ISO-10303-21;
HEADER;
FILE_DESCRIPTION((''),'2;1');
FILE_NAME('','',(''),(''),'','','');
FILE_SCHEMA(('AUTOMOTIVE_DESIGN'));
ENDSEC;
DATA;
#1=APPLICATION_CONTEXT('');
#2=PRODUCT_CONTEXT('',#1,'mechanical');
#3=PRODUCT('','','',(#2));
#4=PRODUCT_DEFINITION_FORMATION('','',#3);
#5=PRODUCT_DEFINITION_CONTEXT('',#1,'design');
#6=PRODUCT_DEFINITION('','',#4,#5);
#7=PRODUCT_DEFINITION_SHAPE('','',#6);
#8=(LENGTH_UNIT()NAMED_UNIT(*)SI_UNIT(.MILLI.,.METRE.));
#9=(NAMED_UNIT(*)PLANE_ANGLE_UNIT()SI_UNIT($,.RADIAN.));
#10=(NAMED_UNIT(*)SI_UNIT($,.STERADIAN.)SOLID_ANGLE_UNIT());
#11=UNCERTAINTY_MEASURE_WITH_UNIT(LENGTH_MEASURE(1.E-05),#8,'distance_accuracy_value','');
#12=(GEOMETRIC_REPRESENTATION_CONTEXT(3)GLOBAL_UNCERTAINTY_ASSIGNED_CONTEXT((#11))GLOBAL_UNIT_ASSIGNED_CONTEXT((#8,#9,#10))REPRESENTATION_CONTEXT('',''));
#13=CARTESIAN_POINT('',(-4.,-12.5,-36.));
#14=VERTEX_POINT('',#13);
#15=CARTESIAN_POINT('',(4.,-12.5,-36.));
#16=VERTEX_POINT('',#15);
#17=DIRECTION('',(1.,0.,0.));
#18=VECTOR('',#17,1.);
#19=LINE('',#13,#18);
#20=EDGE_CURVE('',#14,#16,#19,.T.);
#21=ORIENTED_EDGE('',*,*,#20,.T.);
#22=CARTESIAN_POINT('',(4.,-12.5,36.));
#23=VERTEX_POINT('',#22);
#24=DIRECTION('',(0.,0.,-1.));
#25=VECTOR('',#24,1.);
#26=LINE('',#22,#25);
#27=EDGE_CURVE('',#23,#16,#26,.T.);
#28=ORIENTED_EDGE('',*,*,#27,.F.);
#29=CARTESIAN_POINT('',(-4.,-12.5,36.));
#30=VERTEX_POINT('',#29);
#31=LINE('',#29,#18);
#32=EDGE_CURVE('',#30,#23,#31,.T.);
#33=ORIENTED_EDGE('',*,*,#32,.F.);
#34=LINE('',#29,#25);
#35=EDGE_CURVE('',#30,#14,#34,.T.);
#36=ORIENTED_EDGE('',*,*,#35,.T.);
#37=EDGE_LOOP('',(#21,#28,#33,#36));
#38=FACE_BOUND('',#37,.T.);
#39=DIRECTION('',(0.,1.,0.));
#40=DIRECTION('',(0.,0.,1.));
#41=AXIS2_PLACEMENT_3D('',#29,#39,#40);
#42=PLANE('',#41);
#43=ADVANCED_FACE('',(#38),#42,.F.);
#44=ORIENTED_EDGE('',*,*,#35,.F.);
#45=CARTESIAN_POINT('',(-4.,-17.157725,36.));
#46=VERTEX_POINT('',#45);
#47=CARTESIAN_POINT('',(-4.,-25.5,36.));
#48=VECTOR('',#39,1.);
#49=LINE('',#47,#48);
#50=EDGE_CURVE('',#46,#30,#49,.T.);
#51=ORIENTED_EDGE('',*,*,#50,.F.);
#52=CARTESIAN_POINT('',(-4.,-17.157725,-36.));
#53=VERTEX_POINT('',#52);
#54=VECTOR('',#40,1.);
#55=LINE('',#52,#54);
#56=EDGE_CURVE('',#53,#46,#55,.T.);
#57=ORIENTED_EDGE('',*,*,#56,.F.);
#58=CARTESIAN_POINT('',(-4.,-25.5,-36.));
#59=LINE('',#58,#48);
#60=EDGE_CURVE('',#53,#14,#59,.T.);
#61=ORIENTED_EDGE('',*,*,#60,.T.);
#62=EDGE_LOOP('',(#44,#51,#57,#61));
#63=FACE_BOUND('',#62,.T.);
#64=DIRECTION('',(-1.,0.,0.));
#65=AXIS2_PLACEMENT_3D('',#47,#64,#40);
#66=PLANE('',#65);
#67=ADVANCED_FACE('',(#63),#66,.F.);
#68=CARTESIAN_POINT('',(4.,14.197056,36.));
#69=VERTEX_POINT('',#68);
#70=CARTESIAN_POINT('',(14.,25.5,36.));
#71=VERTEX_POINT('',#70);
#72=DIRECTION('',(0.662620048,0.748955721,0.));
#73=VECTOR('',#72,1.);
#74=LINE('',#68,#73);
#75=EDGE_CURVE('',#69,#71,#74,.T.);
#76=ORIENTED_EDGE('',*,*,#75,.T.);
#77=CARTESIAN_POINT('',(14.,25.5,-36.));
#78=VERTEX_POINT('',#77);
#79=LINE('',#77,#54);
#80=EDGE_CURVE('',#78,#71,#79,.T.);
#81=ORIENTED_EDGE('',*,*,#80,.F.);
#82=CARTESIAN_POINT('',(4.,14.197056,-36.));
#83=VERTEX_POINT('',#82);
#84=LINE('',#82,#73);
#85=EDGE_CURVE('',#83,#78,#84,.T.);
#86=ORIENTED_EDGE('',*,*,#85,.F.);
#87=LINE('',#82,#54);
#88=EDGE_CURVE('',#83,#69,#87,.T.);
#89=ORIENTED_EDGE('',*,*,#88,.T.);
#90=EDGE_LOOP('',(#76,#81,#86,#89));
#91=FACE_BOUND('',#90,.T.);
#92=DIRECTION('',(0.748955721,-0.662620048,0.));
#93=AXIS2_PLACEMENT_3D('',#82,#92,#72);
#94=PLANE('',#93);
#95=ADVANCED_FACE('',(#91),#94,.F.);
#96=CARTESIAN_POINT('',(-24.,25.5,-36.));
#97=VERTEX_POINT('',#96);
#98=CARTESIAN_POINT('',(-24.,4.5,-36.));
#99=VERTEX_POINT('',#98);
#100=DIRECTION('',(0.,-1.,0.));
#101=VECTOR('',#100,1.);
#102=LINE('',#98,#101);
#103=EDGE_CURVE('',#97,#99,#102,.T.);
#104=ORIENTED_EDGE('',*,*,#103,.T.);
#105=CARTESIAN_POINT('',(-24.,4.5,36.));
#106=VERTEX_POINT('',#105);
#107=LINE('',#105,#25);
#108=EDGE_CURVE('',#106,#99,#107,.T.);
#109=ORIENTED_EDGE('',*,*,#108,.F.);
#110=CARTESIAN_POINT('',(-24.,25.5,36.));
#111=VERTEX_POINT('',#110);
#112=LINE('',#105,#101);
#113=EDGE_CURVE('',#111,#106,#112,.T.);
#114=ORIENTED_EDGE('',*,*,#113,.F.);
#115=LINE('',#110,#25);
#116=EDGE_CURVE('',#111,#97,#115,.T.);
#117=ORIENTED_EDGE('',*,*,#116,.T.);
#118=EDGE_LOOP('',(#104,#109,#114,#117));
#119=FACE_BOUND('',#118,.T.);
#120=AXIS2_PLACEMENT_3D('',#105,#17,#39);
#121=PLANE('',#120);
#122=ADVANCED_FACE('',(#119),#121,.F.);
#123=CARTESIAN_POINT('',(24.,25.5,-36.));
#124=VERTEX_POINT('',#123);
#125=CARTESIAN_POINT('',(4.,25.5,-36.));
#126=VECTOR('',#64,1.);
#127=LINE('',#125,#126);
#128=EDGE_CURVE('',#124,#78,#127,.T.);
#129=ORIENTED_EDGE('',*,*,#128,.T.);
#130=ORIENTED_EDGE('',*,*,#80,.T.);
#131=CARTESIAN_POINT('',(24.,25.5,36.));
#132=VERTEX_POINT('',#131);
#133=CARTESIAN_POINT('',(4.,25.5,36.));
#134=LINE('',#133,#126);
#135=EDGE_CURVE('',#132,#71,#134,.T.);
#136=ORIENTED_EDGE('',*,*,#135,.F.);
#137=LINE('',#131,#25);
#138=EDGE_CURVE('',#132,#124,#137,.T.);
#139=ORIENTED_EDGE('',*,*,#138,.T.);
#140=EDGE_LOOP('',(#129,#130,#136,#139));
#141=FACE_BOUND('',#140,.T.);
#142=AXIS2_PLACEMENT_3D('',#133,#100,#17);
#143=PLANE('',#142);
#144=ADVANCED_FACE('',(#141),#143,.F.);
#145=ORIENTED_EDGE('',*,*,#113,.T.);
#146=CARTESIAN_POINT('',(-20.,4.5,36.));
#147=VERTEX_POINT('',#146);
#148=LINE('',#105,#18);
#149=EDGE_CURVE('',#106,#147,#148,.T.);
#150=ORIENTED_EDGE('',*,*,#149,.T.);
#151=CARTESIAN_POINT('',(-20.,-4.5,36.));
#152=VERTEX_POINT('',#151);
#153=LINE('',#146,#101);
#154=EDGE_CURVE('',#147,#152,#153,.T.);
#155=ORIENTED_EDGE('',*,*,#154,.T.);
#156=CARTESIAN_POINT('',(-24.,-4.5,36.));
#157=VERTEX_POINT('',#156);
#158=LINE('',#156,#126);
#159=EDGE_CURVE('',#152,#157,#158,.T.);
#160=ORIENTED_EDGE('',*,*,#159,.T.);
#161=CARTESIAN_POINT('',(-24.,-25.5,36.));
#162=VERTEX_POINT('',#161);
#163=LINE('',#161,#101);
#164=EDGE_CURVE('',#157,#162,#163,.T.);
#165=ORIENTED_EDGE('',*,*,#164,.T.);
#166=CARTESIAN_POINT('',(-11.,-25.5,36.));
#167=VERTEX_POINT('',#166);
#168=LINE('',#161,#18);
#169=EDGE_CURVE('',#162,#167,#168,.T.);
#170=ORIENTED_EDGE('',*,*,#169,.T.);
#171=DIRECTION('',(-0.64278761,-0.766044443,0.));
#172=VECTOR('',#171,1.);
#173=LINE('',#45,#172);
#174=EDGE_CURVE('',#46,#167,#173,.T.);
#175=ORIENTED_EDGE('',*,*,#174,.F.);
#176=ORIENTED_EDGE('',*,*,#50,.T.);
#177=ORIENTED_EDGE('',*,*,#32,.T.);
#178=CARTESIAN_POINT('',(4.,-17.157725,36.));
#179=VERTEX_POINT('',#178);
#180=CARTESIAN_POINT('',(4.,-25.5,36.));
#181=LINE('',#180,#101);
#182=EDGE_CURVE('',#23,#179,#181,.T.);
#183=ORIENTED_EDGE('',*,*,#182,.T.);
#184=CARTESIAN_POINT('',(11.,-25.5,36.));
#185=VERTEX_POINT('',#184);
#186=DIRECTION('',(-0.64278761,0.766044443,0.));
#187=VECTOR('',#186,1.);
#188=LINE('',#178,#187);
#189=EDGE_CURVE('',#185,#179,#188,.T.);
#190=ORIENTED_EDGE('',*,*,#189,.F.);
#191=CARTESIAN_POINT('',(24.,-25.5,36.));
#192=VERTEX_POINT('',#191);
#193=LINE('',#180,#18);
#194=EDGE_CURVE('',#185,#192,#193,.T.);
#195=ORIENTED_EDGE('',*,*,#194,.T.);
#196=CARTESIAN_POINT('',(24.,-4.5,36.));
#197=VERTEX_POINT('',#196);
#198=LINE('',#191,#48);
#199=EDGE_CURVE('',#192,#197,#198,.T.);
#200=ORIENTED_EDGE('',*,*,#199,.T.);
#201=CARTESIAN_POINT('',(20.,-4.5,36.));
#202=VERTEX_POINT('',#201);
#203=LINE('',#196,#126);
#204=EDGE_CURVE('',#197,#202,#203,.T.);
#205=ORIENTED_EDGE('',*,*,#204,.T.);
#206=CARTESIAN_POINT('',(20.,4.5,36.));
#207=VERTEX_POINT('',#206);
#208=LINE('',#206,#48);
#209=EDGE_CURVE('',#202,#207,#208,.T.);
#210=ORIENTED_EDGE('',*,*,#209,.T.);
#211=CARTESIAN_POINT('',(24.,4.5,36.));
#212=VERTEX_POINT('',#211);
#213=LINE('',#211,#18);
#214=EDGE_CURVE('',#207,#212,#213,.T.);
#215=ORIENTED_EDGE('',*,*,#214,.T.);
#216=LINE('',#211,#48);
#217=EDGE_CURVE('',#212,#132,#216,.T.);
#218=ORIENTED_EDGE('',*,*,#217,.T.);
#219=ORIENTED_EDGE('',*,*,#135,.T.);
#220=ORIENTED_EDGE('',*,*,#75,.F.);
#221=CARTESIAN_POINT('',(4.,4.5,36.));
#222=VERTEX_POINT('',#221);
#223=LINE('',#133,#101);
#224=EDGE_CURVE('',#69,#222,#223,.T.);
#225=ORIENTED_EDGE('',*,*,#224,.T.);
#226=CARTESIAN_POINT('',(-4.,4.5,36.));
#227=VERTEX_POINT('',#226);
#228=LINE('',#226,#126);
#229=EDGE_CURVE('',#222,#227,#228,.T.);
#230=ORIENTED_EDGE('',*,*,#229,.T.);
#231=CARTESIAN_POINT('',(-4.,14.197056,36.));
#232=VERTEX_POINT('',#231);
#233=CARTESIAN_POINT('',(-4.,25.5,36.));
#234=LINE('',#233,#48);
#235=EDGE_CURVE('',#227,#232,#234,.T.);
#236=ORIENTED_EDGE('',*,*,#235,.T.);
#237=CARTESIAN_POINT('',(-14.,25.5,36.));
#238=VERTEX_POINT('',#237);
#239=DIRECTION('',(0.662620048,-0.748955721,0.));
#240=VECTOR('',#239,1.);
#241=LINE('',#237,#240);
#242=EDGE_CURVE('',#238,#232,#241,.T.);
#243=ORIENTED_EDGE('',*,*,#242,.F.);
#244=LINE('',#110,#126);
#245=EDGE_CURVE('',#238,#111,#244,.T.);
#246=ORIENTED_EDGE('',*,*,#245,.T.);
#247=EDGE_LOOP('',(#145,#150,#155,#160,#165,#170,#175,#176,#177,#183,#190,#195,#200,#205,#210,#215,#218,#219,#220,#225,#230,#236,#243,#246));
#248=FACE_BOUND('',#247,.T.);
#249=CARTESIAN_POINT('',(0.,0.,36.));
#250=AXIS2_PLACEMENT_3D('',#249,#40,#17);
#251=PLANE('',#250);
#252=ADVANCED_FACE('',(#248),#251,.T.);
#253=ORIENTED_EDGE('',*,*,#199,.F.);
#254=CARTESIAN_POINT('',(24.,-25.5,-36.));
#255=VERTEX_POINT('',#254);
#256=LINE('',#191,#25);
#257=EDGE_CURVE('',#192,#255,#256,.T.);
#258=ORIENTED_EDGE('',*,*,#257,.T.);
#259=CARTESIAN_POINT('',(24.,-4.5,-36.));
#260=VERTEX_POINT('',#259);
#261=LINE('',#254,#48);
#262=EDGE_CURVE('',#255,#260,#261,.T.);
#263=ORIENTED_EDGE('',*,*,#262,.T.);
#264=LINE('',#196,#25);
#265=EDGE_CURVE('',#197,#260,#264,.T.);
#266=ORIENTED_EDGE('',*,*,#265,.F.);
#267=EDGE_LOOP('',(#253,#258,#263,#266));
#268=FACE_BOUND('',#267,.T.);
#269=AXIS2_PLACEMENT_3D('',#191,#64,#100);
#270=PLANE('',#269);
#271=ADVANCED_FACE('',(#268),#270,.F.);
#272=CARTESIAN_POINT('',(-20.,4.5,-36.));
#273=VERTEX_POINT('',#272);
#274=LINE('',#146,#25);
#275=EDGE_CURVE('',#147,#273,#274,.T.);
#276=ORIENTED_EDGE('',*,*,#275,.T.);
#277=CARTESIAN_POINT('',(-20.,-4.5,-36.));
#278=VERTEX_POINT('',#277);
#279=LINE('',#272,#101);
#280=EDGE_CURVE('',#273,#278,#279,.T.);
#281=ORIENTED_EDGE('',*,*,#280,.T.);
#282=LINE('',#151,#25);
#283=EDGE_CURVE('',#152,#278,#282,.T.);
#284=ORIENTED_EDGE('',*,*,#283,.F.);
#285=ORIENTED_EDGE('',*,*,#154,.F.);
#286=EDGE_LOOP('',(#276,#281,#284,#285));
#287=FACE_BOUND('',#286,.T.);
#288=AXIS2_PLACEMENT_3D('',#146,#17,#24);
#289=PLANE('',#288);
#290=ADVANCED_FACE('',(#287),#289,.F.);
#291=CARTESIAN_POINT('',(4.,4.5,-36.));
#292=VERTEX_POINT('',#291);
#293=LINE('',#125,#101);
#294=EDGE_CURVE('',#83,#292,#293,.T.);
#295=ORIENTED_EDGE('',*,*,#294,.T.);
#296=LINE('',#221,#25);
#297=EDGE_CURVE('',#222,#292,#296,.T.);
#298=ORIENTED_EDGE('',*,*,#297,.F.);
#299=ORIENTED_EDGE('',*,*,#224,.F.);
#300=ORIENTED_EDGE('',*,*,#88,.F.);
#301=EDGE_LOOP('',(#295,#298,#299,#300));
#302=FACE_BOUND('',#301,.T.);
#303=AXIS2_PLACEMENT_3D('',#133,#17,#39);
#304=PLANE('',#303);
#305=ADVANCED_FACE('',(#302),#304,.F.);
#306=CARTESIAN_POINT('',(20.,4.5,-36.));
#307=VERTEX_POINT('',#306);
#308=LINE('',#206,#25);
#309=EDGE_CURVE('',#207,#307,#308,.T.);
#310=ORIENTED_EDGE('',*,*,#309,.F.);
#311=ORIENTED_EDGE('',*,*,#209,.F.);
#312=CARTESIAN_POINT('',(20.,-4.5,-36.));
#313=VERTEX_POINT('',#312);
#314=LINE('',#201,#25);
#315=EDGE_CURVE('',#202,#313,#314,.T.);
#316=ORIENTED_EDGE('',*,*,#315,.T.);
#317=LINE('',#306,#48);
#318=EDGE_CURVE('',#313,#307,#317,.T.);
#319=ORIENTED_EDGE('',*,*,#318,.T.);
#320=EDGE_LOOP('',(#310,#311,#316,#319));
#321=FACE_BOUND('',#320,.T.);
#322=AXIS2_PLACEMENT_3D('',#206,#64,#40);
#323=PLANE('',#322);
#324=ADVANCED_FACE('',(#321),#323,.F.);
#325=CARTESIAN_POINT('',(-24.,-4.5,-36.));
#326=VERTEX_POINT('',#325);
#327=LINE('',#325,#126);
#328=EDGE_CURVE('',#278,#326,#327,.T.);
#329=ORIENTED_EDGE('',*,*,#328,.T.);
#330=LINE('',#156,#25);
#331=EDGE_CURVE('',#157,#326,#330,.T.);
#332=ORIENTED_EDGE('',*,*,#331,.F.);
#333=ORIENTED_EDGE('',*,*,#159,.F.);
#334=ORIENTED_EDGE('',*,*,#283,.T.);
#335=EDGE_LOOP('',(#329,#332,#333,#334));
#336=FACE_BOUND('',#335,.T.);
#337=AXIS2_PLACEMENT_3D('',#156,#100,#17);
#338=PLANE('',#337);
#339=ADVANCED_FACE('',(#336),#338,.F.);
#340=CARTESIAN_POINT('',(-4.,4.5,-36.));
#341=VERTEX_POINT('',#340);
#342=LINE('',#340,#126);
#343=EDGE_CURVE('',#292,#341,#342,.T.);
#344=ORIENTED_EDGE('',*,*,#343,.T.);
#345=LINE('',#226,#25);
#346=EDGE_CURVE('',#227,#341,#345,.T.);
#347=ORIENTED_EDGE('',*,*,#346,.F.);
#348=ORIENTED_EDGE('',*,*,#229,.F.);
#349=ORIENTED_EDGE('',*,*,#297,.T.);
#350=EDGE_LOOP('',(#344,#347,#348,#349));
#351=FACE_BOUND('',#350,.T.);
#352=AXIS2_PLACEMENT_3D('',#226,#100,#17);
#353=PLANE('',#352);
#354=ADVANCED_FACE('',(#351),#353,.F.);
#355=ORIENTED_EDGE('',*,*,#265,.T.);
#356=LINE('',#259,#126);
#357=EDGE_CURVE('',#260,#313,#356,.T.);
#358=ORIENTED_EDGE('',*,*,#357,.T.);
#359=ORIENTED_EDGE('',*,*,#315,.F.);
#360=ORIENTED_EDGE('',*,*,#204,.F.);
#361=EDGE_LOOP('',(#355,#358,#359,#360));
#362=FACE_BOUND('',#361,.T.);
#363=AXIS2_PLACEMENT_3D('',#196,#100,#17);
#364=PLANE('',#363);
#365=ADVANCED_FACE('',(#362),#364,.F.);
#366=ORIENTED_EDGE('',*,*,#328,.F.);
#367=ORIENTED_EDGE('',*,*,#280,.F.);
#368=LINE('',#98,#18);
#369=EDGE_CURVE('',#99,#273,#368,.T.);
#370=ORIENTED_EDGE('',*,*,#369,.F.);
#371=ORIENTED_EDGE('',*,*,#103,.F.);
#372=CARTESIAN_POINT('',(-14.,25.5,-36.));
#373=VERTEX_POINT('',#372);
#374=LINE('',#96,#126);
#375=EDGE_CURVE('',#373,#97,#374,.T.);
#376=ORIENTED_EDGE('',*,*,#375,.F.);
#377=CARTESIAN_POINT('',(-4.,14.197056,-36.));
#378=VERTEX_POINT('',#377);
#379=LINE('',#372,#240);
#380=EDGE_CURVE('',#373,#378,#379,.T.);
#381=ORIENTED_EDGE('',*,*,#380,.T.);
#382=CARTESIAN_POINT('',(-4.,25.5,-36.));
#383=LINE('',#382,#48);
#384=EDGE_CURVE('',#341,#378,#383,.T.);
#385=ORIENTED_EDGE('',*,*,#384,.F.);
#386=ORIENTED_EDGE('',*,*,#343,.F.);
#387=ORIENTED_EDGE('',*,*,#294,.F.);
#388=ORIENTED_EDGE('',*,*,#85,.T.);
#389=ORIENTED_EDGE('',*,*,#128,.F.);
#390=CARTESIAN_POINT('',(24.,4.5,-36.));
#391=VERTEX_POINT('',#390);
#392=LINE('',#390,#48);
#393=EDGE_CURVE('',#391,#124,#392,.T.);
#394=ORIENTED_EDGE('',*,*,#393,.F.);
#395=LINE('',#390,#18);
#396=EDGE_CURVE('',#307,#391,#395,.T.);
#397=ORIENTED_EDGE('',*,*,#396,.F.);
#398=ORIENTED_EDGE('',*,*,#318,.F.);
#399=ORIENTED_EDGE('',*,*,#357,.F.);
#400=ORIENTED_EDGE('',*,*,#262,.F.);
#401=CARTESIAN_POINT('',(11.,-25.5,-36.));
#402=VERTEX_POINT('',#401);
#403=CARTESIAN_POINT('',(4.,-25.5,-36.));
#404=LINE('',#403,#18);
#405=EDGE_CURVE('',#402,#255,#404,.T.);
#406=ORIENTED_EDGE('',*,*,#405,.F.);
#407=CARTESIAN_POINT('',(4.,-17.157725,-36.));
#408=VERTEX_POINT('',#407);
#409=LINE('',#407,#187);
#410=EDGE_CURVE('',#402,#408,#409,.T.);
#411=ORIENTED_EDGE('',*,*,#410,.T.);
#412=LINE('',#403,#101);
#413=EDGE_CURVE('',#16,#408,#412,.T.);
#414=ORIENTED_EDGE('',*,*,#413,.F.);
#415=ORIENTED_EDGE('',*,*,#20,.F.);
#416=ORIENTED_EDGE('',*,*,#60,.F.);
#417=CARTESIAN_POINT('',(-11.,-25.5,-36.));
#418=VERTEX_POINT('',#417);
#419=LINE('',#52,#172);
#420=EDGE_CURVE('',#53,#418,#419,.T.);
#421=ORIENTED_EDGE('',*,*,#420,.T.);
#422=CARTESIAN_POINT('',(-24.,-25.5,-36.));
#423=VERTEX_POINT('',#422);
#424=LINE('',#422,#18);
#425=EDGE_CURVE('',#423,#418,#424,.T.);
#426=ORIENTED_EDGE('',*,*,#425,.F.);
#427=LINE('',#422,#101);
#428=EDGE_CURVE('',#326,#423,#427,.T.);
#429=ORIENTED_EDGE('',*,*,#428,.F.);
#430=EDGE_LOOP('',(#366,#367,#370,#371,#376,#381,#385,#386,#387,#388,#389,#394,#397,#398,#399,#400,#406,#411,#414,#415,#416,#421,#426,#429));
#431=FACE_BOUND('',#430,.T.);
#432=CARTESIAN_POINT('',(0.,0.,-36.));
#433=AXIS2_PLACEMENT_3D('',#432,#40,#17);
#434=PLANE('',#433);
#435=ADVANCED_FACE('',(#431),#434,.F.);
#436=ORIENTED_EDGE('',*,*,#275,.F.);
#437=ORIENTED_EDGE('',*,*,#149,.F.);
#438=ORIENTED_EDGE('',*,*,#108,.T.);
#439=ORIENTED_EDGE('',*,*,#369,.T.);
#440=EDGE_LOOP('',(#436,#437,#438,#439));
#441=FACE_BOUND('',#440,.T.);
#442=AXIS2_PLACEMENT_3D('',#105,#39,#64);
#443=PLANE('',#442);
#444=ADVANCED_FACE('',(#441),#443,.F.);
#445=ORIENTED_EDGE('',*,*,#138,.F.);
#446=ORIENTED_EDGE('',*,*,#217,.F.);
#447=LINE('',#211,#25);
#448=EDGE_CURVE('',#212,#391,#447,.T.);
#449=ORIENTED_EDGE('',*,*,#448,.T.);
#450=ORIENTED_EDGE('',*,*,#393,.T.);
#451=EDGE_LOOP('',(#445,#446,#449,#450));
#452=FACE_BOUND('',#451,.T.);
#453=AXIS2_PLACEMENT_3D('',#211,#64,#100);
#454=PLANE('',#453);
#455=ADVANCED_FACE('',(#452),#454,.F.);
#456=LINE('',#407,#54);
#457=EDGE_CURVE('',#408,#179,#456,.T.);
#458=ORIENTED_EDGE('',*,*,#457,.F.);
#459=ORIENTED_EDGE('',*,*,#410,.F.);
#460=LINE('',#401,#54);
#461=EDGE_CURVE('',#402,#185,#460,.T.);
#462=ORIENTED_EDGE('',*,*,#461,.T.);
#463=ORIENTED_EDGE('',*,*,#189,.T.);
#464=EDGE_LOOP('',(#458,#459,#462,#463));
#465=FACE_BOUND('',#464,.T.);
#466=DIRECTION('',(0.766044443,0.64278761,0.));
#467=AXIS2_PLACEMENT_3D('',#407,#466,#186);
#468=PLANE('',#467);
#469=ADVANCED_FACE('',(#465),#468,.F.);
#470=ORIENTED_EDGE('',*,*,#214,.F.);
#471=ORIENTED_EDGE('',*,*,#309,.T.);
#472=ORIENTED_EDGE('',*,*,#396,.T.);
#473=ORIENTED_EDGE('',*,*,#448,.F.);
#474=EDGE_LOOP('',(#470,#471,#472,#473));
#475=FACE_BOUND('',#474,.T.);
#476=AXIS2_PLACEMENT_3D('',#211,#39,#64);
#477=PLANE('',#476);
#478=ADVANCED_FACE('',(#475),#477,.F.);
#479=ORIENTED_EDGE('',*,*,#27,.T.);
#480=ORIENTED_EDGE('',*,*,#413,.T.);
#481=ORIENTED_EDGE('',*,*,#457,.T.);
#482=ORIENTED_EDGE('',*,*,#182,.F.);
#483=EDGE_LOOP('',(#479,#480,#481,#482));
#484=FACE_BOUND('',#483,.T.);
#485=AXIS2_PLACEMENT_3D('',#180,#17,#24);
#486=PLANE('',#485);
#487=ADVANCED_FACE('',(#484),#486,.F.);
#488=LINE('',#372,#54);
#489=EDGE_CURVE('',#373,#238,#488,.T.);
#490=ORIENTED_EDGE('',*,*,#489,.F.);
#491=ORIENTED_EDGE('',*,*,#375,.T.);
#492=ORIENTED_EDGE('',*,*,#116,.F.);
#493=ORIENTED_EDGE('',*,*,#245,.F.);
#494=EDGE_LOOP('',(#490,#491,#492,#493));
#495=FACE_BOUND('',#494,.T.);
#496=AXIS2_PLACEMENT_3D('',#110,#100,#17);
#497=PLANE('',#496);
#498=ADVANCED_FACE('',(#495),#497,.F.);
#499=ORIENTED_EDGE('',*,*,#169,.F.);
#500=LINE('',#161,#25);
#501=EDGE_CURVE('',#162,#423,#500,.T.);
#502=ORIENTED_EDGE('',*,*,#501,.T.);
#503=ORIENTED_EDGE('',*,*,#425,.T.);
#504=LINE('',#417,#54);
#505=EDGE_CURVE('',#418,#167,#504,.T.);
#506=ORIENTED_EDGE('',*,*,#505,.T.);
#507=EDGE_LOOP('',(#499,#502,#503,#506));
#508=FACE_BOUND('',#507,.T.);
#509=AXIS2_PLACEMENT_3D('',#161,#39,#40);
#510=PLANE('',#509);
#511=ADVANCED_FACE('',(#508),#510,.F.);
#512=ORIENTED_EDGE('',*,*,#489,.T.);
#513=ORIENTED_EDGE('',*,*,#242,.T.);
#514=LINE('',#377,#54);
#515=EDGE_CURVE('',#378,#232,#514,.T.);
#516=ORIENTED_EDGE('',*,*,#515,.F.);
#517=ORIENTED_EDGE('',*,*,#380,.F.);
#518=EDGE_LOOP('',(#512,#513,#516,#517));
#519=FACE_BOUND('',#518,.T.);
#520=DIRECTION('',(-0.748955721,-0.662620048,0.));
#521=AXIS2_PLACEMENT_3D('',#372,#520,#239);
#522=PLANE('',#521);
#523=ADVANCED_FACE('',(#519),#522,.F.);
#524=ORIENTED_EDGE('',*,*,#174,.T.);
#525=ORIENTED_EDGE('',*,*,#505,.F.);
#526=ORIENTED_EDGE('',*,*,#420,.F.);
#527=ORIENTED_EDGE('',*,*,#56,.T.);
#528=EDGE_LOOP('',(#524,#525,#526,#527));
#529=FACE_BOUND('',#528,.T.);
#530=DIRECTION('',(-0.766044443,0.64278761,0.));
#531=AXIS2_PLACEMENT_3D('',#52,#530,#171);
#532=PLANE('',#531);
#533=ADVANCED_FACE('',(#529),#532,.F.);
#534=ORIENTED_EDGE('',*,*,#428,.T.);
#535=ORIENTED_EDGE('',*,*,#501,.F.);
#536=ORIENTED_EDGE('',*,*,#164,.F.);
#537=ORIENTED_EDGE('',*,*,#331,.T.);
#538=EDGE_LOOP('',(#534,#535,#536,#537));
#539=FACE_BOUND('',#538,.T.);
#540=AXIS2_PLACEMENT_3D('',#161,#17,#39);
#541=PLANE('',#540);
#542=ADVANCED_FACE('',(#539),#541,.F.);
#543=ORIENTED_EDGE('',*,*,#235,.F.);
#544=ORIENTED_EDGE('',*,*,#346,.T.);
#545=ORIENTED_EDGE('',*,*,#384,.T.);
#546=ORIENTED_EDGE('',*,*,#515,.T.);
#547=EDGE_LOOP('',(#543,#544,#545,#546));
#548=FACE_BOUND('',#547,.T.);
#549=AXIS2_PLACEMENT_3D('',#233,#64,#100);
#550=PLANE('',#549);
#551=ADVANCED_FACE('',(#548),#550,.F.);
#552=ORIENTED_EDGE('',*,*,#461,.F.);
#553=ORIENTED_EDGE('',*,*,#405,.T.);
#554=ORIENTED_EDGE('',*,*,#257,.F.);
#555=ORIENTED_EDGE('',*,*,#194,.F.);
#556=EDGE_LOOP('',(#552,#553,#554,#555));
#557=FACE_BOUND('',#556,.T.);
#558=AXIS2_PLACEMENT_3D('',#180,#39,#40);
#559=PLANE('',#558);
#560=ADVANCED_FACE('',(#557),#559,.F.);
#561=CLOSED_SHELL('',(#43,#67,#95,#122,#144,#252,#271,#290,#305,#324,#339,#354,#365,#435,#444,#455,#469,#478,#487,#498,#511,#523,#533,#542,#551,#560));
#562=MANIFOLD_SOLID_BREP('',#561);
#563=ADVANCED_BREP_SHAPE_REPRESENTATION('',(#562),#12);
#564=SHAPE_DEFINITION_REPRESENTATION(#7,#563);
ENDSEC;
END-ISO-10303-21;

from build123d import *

# Parameters (mm, degrees)
BOSS_EXTRUDE1_DEPTH     = 36
CUT_EXTRUDE1_DEPTH      = 51.222007128
CUT_EXTRUDE1_DEPTH_BACK = 51.222007128
CUT_EXTRUDE2_DEPTH      = 51.222007128
CUT_EXTRUDE2_DEPTH_BACK = 51.222007128


with BuildPart() as part:
    # Sketch1 → Boss-Extrude1 (new, symmetric)
    with BuildSketch(Plane.XY):
        Polygon((-24, -25.5), (-4, -25.5), (-4, -12.5), (4, -12.5), (4, -25.5), (24, -25.5), (24, -4.5), (20, -4.5), (20, 4.5), (24, 4.5), (24, 25.5), (4, 25.5), (4, 4.5), (-4, 4.5), (-4, 25.5), (-24, 25.5), (-24, 4.5), (-20, 4.5), (-20, -4.5), (-24, -4.5), align=None)
    extrude(amount=BOSS_EXTRUDE1_DEPTH, both=True)

    # Sketch2 → Cut-Extrude1 (cut, two sides: drawn at the far end of the back side and taken through both)
    with BuildSketch(Plane.XY.offset(-CUT_EXTRUDE1_DEPTH_BACK)):
        Polygon((-14, 25.5), (-4, 14.197056136), (4, 14.197056136), (14, 25.5), align=None)
    extrude(amount=CUT_EXTRUDE1_DEPTH + CUT_EXTRUDE1_DEPTH_BACK, mode=Mode.SUBTRACT)

    # Sketch3 → Cut-Extrude2 (cut, two sides: drawn at the far end of the back side and taken through both)
    with BuildSketch(Plane.XY.offset(-CUT_EXTRUDE2_DEPTH_BACK)):
        Polygon((4, -17.157724852), (11, -25.5), (-11, -25.5), (-4, -17.157724852), align=None)
    extrude(amount=CUT_EXTRUDE2_DEPTH + CUT_EXTRUDE2_DEPTH_BACK, mode=Mode.SUBTRACT)


solid = part.part
